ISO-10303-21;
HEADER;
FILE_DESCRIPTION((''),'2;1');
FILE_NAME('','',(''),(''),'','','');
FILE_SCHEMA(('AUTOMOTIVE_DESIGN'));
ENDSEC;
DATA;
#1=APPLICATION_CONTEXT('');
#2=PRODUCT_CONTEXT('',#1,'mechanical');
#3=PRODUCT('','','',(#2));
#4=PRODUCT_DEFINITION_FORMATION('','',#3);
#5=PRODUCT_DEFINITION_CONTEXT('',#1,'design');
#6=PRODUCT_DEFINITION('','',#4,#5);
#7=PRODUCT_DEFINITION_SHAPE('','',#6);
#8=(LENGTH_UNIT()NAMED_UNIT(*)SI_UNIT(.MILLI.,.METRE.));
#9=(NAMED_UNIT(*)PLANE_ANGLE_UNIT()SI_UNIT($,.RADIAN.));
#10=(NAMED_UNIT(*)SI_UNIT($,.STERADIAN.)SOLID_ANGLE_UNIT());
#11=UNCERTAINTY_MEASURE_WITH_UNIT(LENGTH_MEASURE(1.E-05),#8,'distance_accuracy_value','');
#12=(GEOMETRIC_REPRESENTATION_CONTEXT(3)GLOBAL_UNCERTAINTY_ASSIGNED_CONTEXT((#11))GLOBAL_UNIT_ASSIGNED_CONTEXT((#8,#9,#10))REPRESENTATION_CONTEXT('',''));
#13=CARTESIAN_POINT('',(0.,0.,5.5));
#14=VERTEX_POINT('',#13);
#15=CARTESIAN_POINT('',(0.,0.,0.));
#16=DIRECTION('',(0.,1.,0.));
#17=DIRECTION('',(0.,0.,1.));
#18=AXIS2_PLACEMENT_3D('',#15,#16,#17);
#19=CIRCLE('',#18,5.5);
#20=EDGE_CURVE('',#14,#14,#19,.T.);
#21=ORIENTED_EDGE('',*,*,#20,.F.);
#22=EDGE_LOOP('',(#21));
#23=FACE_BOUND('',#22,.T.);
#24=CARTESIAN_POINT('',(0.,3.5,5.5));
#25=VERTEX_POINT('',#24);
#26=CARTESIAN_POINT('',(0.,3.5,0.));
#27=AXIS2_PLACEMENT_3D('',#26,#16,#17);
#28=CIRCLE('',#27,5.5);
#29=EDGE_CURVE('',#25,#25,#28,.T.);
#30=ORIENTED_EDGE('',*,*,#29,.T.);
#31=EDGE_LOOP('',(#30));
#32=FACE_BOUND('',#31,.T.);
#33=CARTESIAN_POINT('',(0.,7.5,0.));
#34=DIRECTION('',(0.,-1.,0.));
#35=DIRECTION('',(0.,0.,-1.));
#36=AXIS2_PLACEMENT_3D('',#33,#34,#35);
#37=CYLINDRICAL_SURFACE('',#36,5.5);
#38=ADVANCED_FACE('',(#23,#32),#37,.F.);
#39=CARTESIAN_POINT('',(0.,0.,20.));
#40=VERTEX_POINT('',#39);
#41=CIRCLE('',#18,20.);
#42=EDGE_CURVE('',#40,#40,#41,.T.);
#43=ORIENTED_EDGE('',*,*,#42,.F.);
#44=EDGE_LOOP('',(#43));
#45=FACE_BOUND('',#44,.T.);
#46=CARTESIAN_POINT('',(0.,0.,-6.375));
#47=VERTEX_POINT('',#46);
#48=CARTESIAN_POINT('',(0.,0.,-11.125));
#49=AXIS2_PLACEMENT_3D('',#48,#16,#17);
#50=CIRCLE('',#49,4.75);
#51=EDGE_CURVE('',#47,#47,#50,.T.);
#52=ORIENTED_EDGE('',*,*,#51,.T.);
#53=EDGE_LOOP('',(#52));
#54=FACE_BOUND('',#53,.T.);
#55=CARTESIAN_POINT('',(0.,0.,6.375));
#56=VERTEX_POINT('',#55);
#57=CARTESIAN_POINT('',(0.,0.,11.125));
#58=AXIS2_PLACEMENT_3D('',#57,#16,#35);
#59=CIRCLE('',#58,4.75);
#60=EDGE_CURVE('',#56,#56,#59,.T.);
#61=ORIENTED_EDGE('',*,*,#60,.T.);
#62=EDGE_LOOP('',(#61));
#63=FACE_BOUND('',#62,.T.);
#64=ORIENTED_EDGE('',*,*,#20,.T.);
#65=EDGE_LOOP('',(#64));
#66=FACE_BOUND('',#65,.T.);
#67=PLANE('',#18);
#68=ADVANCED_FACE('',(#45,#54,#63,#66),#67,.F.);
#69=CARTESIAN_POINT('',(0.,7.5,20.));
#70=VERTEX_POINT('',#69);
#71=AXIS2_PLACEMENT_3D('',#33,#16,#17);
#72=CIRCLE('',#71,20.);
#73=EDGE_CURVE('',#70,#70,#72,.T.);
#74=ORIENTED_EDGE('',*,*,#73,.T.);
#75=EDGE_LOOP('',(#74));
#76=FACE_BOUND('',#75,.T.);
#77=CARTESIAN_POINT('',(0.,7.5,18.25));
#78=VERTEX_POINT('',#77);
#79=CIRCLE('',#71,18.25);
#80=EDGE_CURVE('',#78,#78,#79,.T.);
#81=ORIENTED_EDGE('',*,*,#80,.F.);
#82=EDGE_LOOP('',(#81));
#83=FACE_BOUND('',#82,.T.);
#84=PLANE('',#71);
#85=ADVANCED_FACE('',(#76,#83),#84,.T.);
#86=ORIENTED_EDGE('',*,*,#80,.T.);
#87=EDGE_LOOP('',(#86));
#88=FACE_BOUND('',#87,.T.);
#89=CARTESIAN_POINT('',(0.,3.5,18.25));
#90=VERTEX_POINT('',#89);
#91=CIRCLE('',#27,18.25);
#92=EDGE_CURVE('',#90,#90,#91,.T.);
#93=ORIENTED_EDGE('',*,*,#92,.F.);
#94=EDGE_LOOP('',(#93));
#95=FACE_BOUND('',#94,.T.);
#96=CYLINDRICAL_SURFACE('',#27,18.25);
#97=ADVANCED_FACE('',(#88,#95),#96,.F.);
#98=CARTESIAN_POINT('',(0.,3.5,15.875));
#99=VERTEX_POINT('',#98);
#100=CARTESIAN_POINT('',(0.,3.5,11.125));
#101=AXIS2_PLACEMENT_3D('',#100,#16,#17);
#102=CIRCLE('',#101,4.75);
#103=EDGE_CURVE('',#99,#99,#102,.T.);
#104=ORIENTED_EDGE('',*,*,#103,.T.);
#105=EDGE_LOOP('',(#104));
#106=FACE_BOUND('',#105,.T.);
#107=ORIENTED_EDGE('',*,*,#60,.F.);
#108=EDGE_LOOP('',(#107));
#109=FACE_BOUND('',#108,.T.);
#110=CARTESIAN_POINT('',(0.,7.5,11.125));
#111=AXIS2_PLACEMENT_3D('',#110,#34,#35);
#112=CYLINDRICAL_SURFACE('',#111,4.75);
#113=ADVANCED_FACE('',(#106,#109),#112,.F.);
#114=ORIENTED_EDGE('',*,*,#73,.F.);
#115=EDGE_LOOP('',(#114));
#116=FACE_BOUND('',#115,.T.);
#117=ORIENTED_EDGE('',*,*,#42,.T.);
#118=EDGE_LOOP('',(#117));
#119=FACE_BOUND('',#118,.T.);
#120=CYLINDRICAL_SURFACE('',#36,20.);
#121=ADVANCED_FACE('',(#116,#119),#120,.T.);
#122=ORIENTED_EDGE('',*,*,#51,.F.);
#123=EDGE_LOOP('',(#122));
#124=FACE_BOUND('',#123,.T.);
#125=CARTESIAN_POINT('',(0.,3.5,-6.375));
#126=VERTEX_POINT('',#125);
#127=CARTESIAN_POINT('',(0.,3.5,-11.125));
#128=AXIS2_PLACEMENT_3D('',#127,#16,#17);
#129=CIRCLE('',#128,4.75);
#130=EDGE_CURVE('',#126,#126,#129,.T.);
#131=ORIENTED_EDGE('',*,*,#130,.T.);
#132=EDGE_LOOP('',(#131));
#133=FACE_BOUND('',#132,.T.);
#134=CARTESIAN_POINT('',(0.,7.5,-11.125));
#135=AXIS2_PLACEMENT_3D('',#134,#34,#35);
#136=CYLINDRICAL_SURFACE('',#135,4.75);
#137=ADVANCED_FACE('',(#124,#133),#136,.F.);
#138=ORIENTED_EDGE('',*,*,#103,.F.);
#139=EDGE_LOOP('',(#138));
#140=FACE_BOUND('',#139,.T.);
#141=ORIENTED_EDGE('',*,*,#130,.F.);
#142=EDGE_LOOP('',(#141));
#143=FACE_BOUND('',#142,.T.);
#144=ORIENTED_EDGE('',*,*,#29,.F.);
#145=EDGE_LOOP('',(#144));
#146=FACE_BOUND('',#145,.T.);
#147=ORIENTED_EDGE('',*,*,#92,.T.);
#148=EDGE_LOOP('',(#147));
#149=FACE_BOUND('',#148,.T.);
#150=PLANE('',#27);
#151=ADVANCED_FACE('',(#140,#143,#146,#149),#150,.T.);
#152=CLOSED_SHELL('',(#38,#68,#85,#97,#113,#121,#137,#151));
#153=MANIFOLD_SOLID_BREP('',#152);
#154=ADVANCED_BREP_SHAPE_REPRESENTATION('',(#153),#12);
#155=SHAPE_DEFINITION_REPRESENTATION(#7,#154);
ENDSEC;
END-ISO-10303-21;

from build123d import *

# Parameters (mm, degrees)
SKETCH4_R        = 20
SKETCH4_R_2      = 5.5
SKETCH4_R_3      = 4.75
LIDBASE_DEPTH    = 7.5
SKETCH5_R        = 18.25
LIDGROOVES_DEPTH = 4


with BuildPart() as part:
    # Sketch4 → LidBase (new body)
    with BuildSketch(Plane(origin=(0, 0, 0), x_dir=(1, 0, 0), z_dir=(0, 1, 0))):
        Circle(SKETCH4_R)
        Circle(SKETCH4_R_2, mode=Mode.SUBTRACT)
        with Locations((0, 11.125)):
            Circle(SKETCH4_R_3, mode=Mode.SUBTRACT)
        with Locations((0, -11.125)):
            Circle(SKETCH4_R_3, mode=Mode.SUBTRACT)
    extrude(amount=LIDBASE_DEPTH)

    # Sketch5 → LidGrooves (cut)
    with BuildSketch(Plane(origin=(0, 7.5, 0), x_dir=(1, 0, 0), z_dir=(0, 1, 0))):
        Circle(SKETCH5_R)
    extrude(amount=-LIDGROOVES_DEPTH, mode=Mode.SUBTRACT)


solid = part.part
